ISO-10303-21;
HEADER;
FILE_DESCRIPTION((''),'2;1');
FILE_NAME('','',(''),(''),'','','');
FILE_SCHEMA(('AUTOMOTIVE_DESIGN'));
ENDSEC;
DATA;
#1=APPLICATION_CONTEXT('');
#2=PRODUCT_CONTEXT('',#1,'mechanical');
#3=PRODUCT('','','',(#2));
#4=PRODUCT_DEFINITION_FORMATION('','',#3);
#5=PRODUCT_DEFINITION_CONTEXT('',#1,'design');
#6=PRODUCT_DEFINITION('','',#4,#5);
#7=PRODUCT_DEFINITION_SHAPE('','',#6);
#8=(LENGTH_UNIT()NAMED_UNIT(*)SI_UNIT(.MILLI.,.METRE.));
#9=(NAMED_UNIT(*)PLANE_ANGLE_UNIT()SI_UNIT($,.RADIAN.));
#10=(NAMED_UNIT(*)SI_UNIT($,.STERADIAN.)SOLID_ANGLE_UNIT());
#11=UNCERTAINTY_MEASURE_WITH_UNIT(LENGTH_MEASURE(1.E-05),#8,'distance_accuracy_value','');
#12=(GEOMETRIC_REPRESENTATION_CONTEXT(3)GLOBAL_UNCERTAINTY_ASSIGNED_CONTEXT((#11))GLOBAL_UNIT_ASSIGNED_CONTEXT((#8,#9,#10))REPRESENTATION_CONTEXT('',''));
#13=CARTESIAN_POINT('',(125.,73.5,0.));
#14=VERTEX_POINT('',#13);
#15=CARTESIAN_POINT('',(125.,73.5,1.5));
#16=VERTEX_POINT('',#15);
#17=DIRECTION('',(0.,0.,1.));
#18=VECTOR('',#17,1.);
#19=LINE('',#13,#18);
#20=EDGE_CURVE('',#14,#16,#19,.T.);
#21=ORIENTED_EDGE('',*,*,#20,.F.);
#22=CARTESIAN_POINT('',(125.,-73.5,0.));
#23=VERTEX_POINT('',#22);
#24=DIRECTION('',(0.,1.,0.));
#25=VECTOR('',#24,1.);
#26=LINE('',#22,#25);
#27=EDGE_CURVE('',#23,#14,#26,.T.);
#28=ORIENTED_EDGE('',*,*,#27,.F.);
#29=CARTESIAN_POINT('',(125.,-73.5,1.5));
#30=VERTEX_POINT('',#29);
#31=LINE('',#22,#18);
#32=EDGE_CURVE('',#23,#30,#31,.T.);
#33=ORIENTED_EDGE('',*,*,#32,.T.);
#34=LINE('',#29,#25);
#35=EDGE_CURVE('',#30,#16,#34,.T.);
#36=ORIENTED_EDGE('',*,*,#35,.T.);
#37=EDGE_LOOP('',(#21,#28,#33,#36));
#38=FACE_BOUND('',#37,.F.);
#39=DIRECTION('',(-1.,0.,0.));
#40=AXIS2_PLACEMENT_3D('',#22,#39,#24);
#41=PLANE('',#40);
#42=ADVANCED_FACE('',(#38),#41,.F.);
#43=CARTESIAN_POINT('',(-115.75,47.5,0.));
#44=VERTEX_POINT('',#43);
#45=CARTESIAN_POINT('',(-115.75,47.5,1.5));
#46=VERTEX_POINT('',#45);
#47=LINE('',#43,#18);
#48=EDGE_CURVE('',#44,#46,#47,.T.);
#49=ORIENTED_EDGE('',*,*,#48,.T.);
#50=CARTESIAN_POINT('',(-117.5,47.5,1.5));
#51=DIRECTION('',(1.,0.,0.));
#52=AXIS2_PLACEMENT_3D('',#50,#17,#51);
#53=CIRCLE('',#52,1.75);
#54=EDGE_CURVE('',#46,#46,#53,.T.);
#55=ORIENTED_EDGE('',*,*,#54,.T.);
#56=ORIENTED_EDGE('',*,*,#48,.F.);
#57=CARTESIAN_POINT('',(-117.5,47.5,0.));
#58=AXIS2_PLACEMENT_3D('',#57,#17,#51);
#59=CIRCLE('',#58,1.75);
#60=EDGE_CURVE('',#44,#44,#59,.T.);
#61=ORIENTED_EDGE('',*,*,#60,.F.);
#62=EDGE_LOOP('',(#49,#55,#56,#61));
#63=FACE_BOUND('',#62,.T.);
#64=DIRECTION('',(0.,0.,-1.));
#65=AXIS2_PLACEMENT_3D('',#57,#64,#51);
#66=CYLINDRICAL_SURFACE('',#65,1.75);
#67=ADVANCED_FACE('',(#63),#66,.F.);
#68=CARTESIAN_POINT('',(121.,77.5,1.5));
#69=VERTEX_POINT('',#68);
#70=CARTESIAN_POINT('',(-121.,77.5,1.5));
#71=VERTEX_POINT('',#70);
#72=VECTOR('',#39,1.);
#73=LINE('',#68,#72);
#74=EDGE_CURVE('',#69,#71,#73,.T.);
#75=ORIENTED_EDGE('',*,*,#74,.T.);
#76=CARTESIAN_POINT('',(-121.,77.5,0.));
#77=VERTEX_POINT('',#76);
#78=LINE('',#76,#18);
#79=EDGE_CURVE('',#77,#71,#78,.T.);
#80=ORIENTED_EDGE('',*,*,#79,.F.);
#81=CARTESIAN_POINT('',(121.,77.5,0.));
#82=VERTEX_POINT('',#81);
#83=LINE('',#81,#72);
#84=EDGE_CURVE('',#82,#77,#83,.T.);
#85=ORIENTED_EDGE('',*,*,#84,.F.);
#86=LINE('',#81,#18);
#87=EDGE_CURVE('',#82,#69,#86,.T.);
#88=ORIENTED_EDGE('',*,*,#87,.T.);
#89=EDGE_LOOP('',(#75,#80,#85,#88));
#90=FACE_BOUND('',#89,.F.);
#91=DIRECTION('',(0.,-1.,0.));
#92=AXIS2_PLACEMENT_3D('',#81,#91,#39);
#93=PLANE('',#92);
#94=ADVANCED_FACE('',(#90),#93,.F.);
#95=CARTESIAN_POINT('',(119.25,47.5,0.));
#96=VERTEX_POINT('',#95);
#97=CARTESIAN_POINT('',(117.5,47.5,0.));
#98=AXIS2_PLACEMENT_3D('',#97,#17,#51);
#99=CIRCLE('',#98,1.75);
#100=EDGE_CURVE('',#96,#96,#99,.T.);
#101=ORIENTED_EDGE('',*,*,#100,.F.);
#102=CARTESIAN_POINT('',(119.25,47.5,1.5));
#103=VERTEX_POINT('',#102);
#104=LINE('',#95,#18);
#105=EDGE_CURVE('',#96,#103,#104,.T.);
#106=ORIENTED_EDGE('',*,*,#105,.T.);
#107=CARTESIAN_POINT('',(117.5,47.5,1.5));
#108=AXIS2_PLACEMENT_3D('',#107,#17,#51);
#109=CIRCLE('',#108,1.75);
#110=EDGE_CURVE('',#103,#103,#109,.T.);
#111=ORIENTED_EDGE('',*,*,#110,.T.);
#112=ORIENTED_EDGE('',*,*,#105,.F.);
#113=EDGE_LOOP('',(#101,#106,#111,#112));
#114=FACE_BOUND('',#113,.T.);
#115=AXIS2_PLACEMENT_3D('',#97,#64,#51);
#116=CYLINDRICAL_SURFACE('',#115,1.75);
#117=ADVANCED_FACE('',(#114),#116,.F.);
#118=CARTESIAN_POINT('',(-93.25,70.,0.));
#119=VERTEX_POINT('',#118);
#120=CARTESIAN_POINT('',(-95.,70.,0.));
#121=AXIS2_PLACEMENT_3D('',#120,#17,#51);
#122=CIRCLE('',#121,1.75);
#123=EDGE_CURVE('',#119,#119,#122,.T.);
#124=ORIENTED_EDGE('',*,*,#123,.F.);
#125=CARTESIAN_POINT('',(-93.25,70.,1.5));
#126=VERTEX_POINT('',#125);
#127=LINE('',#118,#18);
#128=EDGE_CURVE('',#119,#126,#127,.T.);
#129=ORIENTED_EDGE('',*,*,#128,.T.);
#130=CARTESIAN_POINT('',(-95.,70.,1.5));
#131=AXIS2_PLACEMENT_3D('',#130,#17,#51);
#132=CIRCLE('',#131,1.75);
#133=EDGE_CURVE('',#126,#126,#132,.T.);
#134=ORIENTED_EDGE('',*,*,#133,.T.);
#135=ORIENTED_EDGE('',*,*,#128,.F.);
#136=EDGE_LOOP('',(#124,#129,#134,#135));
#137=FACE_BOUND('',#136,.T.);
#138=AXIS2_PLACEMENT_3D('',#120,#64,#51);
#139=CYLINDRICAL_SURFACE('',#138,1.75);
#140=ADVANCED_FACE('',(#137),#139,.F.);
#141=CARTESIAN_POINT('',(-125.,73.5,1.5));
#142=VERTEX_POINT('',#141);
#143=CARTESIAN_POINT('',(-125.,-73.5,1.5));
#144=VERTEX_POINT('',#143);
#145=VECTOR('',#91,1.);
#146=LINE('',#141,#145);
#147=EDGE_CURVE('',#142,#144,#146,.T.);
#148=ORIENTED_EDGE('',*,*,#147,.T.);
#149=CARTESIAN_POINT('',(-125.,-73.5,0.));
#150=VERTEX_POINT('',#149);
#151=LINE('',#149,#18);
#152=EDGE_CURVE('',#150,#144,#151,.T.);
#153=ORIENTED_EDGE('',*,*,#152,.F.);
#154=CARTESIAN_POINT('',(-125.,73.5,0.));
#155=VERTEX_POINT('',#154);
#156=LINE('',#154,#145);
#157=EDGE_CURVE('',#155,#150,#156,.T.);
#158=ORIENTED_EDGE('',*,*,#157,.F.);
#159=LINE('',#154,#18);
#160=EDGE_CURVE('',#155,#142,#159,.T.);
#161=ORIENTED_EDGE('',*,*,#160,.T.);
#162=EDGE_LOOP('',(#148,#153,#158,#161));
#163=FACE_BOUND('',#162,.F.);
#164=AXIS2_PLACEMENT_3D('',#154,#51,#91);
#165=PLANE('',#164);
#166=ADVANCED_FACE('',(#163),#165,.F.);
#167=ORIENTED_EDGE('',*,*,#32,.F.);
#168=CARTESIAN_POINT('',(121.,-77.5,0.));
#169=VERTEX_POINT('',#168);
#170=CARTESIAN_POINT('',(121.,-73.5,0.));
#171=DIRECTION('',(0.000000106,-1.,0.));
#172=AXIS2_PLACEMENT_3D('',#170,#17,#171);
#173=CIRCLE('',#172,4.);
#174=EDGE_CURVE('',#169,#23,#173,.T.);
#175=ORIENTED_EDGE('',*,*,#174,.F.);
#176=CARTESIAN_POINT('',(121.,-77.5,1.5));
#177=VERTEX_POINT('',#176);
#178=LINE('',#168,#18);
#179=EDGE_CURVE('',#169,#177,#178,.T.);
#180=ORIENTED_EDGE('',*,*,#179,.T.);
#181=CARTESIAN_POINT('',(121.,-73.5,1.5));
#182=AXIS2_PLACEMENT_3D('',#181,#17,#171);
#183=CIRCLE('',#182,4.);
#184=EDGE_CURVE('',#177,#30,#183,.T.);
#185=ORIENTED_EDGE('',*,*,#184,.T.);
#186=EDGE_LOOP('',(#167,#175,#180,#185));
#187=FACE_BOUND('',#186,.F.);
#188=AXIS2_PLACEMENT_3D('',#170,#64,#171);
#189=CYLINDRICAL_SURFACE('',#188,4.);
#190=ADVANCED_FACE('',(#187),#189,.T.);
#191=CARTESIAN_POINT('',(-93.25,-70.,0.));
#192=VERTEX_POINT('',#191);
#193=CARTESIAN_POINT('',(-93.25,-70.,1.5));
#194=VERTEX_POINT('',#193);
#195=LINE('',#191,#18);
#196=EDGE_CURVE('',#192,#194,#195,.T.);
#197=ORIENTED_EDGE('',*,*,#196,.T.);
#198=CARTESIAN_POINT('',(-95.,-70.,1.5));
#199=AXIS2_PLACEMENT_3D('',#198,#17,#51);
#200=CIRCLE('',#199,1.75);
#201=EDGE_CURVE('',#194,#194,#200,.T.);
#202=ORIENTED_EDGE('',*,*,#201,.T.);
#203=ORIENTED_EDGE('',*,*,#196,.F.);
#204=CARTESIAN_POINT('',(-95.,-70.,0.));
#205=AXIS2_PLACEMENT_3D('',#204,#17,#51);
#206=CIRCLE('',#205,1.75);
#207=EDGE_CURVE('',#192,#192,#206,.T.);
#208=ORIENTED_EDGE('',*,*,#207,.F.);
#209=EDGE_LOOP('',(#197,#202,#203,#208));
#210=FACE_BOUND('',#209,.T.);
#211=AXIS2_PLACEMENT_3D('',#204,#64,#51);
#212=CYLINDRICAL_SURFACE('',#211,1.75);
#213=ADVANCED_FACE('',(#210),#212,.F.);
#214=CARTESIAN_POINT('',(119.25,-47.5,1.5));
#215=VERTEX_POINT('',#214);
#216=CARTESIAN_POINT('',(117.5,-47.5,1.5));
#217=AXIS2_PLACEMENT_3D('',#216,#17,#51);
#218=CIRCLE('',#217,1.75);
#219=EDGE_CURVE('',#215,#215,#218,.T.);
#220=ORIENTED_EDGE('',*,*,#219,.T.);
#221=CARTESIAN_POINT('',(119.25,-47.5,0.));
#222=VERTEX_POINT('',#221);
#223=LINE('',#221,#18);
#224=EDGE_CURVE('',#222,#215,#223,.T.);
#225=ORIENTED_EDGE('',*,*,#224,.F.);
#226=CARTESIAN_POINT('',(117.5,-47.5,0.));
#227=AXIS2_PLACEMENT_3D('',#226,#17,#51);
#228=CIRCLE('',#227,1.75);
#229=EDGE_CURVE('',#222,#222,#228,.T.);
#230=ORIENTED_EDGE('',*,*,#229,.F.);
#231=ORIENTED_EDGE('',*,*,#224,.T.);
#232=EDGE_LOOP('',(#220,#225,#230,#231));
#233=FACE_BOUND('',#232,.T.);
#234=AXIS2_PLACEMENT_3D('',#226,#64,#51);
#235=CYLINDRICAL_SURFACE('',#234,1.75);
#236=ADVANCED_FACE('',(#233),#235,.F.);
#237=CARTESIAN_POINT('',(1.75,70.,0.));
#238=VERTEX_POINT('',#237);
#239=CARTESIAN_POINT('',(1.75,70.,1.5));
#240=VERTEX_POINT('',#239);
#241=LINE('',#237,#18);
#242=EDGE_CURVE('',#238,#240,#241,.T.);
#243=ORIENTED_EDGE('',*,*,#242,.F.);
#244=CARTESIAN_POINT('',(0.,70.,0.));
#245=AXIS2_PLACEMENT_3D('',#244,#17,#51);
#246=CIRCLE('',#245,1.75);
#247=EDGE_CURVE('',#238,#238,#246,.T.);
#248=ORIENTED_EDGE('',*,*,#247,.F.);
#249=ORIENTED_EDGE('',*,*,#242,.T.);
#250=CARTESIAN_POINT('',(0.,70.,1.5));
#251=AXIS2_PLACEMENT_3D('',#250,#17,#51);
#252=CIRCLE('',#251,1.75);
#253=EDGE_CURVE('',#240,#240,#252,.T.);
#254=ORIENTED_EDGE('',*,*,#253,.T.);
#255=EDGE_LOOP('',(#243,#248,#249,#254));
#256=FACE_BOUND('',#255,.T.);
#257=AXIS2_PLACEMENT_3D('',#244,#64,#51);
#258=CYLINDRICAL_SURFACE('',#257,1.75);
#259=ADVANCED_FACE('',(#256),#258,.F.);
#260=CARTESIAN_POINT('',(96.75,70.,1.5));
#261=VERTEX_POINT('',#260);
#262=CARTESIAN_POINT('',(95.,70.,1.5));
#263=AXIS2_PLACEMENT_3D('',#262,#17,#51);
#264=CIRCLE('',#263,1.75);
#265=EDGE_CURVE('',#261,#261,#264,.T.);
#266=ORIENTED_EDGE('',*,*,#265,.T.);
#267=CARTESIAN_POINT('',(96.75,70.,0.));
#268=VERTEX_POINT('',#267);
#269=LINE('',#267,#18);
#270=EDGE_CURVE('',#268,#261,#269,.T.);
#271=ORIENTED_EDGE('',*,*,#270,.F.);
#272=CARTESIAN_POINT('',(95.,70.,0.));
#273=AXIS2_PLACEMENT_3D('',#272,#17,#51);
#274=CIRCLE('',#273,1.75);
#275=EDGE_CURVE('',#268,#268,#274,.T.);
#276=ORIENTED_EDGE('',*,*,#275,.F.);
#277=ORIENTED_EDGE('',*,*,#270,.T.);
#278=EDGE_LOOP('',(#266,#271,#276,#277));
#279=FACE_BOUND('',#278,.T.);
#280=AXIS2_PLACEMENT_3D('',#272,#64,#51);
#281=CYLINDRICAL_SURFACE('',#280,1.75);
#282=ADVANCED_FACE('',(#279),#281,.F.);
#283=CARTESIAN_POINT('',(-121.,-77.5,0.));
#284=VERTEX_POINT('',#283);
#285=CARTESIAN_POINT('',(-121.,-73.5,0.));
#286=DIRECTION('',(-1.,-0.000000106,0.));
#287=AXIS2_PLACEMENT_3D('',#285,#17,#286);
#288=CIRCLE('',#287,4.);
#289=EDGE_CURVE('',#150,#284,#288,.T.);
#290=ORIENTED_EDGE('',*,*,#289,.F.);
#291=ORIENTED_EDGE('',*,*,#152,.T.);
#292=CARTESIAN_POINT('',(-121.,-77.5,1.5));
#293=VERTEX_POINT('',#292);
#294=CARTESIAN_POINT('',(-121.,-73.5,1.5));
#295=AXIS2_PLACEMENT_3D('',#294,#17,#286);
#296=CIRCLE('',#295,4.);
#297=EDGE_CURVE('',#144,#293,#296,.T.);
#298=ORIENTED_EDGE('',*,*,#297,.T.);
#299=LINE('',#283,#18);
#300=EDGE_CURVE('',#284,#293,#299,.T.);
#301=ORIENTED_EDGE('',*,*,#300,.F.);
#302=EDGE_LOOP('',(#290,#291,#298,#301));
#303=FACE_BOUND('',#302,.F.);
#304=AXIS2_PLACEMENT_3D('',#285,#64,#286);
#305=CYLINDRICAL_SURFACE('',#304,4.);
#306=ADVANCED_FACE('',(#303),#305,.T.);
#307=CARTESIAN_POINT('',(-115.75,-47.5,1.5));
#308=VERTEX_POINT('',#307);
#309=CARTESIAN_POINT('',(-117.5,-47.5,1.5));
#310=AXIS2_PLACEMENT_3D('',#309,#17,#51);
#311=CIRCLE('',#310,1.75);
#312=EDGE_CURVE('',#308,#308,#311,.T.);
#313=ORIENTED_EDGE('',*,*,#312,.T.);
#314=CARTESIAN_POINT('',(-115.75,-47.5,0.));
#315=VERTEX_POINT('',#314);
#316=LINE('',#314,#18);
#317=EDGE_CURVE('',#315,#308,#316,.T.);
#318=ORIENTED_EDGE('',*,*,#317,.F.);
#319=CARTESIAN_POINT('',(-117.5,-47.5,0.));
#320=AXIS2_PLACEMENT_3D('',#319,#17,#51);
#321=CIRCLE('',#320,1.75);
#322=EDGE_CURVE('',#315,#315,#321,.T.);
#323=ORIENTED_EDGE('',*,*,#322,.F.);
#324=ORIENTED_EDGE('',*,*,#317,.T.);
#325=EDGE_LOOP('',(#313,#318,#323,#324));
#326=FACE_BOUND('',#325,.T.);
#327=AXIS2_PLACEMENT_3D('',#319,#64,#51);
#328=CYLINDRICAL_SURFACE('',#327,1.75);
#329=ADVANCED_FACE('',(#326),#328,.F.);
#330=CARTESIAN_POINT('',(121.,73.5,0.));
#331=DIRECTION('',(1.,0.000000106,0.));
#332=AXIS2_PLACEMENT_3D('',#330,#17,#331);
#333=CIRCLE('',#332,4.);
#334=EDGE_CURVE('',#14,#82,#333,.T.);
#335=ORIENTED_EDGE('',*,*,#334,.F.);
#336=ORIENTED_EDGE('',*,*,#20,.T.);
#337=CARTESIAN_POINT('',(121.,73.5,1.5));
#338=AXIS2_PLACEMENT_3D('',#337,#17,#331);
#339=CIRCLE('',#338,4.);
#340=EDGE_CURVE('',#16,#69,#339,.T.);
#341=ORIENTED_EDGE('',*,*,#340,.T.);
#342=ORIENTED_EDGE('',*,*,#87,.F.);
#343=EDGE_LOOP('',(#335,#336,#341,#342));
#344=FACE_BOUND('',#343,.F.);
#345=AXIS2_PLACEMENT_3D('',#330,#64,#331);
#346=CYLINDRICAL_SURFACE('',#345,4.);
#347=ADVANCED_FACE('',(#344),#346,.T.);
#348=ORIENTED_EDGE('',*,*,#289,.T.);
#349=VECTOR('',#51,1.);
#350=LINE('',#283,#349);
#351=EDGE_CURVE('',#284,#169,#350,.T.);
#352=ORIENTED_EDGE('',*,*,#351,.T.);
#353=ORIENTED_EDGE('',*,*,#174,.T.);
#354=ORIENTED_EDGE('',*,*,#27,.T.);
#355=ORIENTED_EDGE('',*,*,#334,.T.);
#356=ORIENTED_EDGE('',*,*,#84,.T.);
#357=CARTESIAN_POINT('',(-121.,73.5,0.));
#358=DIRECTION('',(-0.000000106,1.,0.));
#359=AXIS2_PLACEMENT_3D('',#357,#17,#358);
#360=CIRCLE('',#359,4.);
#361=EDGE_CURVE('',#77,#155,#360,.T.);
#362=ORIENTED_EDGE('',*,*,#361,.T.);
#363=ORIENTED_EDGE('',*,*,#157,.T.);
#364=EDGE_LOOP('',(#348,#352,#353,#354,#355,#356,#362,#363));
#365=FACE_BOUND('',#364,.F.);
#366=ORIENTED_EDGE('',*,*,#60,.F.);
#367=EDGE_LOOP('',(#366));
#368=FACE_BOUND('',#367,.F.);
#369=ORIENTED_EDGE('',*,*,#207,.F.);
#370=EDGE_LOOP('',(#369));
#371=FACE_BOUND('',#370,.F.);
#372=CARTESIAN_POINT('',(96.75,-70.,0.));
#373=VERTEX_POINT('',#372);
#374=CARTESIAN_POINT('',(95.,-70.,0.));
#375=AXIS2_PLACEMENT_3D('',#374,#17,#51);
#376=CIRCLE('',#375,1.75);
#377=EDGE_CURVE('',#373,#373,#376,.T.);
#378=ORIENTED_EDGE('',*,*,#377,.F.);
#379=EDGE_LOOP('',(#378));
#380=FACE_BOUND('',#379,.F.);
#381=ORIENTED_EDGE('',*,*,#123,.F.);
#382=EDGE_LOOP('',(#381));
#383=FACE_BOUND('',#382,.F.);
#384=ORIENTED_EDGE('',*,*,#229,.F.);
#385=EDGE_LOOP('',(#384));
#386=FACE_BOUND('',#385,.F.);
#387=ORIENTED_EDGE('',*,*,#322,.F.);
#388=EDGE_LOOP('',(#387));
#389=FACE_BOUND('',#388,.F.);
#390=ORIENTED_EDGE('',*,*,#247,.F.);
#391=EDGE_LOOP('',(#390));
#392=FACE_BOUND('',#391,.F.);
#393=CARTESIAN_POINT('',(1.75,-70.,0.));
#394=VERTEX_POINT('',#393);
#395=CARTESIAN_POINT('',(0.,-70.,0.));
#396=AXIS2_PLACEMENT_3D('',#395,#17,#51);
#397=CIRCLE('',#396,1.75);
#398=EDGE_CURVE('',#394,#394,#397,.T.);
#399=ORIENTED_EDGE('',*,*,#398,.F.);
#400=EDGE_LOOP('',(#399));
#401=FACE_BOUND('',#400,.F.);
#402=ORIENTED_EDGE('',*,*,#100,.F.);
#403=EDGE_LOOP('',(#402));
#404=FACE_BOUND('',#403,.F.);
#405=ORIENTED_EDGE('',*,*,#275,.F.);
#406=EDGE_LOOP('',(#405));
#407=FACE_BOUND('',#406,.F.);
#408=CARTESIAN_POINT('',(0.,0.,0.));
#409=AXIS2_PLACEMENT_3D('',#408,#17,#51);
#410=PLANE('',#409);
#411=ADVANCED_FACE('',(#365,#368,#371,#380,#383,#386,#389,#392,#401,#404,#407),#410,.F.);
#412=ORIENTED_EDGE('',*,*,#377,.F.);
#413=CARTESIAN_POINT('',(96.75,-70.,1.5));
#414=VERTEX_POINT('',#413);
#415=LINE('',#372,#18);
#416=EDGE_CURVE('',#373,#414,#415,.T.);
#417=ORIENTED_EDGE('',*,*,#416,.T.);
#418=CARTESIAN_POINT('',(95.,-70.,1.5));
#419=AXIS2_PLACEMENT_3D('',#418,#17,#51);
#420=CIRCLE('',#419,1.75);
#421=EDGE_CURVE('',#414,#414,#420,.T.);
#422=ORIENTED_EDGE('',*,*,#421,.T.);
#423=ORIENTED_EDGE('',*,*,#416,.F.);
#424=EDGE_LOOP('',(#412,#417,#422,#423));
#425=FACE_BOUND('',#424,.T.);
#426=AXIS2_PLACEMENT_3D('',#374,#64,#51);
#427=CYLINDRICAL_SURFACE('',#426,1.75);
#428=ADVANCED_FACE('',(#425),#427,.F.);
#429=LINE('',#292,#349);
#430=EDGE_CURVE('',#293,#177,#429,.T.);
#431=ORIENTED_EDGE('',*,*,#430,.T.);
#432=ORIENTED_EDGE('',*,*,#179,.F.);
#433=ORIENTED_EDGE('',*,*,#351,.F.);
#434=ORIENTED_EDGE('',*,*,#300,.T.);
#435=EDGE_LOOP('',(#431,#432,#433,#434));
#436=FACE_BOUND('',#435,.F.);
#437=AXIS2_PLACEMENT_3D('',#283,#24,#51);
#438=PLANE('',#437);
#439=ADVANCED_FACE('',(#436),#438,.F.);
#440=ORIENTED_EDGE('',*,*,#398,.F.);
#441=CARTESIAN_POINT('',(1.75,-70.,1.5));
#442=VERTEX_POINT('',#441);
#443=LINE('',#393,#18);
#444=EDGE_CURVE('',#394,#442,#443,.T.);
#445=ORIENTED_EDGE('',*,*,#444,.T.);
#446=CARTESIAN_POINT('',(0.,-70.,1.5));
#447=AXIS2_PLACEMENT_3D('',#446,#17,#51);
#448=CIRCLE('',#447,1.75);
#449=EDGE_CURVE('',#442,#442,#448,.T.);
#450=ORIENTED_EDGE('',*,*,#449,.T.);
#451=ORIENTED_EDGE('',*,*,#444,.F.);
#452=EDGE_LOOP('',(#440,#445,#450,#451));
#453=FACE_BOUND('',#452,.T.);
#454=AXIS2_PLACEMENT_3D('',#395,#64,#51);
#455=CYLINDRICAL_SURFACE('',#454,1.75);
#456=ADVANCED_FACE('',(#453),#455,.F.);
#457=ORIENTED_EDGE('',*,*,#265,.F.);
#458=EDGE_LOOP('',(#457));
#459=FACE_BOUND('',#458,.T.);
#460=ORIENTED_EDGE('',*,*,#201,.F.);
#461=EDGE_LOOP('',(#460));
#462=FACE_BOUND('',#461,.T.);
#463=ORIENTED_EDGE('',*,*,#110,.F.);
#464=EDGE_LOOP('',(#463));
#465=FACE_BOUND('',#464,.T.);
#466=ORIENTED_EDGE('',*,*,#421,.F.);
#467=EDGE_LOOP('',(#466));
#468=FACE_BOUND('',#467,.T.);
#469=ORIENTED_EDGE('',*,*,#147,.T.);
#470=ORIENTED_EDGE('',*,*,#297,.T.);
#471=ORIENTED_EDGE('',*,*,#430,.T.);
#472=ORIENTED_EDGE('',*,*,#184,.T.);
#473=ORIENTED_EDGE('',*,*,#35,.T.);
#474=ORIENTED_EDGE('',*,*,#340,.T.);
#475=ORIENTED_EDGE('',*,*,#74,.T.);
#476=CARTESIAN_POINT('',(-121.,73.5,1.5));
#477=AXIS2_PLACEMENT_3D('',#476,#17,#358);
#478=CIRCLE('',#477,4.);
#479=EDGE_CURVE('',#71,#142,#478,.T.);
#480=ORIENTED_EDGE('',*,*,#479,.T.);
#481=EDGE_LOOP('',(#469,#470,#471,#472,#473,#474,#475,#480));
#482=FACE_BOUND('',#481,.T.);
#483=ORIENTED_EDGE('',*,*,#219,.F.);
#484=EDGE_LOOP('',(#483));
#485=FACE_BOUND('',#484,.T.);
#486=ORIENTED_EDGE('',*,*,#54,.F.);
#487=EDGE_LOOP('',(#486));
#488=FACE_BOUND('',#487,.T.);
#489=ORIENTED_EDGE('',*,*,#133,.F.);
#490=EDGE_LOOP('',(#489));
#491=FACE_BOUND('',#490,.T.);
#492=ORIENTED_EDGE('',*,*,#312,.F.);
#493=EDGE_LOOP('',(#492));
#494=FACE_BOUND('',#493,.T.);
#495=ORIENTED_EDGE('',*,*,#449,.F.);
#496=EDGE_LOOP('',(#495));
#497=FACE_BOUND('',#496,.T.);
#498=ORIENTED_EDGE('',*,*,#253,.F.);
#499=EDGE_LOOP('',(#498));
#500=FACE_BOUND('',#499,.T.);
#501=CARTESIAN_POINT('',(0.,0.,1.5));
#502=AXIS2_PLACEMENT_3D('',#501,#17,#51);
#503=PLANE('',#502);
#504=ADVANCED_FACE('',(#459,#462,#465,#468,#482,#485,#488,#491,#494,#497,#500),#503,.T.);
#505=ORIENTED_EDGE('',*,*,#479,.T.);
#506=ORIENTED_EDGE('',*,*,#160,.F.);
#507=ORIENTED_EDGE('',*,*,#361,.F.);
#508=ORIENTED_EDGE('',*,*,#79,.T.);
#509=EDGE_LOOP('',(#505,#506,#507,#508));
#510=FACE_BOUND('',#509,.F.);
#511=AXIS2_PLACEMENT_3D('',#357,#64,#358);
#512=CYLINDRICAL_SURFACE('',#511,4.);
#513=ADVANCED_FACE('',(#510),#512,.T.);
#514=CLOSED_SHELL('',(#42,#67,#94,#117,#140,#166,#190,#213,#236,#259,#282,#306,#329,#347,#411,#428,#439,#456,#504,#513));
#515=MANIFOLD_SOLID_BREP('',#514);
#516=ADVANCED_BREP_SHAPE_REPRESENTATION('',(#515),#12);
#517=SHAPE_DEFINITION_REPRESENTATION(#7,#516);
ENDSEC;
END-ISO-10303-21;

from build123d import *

# Parameters (mm, degrees)
F0_R     = 1.75
F1_DEPTH = 1.5


with BuildPart() as f1:
    # F0 (on Top) → F1 (new body)
    with BuildSketch(Plane.XY):
        with BuildLine():
            Line((121, 77.5), (-121, 77.5))
            ThreePointArc((-121, 77.5), (-123.828427, 76.328427), (-125, 73.5))
            Line((-125, 73.5), (-125, -73.5))
            ThreePointArc((-125, -73.5), (-123.828427, -76.328427), (-121, -77.5))
            Line((-121, -77.5), (121, -77.5))
            ThreePointArc((121, -77.5), (123.828427, -76.328427), (125, -73.5))
            Line((125, -73.5), (125, 73.5))
            ThreePointArc((125, 73.5), (123.828427, 76.328427), (121, 77.5))
        make_face()
        with Locations((-95, -70)):
            Circle(F0_R, mode=Mode.SUBTRACT)
        with Locations((-117.5, -47.5)):
            Circle(F0_R, mode=Mode.SUBTRACT)
        with Locations((0, -70)):
            Circle(F0_R, mode=Mode.SUBTRACT)
        with Locations((95, -70)):
            Circle(F0_R, mode=Mode.SUBTRACT)
        with Locations((117.5, -47.5)):
            Circle(F0_R, mode=Mode.SUBTRACT)
        with Locations((-117.5, 47.5)):
            Circle(F0_R, mode=Mode.SUBTRACT)
        with Locations((-95, 70)):
            Circle(F0_R, mode=Mode.SUBTRACT)
        with Locations((0, 70)):
            Circle(F0_R, mode=Mode.SUBTRACT)
        with Locations((117.5, 47.5)):
            Circle(F0_R, mode=Mode.SUBTRACT)
        with Locations((95, 70)):
            Circle(F0_R, mode=Mode.SUBTRACT)
    extrude(amount=F1_DEPTH)


solid = f1.part
